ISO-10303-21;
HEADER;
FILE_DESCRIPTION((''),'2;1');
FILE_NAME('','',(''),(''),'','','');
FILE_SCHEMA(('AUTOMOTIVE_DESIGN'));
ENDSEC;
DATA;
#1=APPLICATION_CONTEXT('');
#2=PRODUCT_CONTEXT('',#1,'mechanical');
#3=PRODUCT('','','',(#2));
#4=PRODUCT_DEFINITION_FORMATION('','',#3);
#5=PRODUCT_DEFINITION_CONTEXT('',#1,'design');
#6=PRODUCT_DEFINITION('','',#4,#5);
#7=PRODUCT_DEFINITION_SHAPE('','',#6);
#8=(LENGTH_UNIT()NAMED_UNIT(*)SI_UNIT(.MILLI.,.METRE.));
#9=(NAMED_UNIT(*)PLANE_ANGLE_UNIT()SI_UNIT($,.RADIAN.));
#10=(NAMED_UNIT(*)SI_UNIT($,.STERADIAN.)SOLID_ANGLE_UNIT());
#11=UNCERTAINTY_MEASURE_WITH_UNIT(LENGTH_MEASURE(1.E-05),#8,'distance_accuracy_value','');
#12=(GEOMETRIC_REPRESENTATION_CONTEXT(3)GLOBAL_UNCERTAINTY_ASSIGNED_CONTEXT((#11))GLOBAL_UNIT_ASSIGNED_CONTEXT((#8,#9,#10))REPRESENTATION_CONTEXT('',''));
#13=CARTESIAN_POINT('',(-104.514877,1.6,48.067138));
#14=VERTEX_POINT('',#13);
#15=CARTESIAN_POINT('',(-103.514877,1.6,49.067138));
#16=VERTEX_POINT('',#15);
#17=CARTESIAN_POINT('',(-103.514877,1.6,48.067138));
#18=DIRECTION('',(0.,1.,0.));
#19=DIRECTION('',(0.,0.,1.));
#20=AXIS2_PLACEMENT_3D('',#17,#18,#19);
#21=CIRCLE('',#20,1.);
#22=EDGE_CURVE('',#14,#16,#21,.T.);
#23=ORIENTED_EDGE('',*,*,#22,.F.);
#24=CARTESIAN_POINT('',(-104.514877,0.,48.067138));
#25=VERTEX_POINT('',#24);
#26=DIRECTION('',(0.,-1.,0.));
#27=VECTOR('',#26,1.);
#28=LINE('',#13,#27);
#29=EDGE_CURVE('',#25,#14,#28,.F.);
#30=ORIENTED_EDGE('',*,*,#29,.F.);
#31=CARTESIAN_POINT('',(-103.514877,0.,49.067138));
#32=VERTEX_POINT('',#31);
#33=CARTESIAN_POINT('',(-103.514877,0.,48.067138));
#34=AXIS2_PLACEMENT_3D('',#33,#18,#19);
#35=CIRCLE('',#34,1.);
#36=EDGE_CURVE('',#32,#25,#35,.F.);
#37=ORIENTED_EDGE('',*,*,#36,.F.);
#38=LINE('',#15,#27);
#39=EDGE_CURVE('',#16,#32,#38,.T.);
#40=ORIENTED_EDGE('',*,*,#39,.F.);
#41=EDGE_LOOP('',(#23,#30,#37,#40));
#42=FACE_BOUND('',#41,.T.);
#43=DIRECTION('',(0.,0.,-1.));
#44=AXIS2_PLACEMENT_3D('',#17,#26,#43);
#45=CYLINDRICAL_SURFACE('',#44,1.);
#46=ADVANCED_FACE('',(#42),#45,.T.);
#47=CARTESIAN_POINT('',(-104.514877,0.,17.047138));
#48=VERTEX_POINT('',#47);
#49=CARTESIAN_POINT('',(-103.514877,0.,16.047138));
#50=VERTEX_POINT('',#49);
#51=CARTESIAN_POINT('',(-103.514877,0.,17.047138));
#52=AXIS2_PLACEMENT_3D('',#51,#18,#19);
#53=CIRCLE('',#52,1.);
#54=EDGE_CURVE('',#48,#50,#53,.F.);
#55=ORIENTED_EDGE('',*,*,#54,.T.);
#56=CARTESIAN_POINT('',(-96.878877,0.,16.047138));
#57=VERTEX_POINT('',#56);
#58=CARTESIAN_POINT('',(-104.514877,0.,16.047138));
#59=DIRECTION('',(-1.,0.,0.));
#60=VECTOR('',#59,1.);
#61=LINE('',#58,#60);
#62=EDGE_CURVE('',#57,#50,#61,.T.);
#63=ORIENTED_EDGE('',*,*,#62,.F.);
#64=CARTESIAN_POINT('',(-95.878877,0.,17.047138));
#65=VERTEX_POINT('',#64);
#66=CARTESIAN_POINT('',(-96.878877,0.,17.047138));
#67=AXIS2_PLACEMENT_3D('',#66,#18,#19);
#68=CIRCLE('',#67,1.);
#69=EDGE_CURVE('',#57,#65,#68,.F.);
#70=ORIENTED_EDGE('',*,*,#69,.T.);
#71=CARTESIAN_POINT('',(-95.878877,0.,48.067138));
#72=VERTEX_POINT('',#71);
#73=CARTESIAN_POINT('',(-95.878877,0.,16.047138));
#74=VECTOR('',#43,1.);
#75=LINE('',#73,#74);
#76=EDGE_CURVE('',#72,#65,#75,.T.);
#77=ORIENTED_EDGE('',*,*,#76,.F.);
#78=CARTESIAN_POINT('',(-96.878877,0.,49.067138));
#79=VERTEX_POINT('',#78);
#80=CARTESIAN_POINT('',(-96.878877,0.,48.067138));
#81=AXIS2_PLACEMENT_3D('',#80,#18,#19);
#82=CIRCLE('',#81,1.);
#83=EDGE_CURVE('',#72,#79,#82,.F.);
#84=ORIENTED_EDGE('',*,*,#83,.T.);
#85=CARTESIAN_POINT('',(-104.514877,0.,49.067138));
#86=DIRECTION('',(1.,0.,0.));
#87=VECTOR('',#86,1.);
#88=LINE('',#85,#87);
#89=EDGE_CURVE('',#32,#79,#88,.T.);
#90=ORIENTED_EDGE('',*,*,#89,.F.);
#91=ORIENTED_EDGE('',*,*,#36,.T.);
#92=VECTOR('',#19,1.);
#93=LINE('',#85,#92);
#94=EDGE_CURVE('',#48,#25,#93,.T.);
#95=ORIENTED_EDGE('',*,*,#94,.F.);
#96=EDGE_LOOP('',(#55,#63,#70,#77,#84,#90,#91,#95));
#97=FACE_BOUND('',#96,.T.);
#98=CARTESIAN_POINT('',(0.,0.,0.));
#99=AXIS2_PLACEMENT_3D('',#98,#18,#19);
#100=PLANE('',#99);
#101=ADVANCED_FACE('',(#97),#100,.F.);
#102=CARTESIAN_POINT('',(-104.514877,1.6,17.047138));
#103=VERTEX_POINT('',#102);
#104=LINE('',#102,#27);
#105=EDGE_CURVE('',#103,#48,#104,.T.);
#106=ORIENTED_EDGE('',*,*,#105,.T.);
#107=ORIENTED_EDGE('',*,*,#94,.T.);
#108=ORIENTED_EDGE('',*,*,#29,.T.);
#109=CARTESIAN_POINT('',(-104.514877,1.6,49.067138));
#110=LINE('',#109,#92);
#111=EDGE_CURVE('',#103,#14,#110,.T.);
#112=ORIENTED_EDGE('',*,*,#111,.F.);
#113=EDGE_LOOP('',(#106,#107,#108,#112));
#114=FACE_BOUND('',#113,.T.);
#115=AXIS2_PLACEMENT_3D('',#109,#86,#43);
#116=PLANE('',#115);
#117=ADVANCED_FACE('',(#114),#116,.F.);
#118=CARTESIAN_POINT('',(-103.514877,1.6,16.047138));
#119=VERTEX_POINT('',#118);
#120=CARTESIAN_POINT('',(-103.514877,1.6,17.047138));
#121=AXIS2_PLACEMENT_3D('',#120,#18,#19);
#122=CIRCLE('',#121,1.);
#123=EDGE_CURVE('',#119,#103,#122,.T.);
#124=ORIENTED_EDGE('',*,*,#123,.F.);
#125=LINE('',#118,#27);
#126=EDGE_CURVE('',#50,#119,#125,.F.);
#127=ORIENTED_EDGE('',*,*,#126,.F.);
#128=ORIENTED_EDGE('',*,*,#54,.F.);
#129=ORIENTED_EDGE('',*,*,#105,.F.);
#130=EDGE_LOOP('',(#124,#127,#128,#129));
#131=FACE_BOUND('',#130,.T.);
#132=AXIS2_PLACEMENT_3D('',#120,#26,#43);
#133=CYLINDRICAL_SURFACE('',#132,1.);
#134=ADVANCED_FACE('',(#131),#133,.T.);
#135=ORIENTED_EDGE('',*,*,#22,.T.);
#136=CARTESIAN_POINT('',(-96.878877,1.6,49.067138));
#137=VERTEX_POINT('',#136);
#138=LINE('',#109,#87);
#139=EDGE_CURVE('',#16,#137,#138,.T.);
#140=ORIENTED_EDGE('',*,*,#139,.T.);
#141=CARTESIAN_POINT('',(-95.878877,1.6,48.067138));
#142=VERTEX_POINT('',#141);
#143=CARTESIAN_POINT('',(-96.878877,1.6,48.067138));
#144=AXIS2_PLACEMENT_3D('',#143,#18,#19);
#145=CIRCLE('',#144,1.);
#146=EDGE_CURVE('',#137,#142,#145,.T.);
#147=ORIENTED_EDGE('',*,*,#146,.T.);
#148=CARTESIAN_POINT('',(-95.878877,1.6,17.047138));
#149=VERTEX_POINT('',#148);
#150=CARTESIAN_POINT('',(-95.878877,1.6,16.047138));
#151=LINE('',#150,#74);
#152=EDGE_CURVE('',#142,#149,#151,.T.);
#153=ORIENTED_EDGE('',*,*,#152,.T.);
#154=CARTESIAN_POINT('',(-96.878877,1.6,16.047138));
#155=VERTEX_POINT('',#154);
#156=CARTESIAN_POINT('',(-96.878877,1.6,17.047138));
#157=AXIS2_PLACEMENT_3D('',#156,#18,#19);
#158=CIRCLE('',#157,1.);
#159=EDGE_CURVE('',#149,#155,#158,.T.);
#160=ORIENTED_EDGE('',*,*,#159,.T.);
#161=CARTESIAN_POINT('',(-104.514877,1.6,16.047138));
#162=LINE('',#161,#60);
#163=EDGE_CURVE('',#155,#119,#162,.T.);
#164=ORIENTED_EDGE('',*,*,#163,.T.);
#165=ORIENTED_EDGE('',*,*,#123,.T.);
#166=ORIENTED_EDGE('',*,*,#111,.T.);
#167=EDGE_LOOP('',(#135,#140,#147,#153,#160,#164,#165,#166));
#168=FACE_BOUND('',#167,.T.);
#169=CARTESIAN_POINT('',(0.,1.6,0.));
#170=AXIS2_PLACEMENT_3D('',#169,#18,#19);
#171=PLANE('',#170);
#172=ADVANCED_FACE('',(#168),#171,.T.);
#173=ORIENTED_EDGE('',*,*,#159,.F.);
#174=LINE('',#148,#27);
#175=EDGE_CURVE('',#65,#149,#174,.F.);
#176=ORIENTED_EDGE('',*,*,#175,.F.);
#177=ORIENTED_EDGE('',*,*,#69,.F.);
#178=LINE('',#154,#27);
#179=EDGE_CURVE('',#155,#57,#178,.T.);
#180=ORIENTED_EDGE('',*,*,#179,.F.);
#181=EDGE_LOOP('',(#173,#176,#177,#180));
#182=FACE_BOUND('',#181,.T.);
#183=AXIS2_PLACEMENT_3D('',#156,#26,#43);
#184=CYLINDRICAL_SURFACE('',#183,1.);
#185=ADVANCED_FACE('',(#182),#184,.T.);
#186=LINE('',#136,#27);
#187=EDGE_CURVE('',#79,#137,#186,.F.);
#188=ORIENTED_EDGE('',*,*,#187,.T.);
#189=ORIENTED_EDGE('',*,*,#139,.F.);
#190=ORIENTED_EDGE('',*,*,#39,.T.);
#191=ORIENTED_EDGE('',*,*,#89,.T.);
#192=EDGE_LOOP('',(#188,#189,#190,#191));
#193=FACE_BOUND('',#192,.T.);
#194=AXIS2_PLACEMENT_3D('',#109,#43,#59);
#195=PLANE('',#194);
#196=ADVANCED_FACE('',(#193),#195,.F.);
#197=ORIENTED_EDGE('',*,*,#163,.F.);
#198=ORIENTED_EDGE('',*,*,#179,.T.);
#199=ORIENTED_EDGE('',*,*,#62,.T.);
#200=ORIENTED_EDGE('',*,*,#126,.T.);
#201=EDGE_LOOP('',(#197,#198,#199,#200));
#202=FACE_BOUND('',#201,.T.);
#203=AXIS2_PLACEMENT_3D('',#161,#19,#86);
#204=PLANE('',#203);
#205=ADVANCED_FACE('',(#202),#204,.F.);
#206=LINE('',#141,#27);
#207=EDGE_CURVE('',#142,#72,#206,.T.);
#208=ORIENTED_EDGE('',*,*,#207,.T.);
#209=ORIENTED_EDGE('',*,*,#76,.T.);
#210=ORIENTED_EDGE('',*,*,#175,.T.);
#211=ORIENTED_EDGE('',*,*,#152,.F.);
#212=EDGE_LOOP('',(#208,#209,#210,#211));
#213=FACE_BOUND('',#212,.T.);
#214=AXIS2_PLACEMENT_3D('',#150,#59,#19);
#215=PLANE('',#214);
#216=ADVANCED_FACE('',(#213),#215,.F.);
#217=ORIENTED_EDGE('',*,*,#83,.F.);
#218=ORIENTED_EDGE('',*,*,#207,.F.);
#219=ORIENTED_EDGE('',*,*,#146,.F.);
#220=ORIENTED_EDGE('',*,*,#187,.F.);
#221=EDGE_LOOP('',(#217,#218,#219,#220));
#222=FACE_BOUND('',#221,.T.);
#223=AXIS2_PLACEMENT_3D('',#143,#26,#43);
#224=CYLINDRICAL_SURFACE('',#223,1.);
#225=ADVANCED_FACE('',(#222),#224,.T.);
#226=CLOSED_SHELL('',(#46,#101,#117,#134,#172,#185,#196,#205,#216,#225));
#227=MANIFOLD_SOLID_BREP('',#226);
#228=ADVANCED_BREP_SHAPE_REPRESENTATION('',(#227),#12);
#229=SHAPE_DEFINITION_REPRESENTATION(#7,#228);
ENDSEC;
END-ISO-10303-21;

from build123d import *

# Parameters (mm, degrees)
SKETCH2_W           = 8.636
SKETCH2_H           = 33.02
BOSS_EXTRUDE1_DEPTH = 1.6
FILLET1_R           = 1


with BuildPart() as part:
    # Sketch2 → Boss-Extrude1 (new body)
    with BuildSketch(Plane(origin=(0, 0, 0), x_dir=(1, 0, 0), z_dir=(0, 1, 0))):
        with Locations((-100.196877437, -32.55713814)):
            Rectangle(SKETCH2_W, SKETCH2_H)
    extrude(amount=BOSS_EXTRUDE1_DEPTH)

    # Fillet1
    fillet1_edges = [part.edges().sort_by_distance(p)[0] for p in [
        (-95.878877437, 0.8, 49.06713814),
        (-104.514877437, 0.8, 49.06713814),
        (-104.514877437, 0.8, 16.04713814),
        (-95.878877437, 0.8, 16.04713814),
    ]]
    fillet(fillet1_edges, radius=FILLET1_R)


solid = part.part
